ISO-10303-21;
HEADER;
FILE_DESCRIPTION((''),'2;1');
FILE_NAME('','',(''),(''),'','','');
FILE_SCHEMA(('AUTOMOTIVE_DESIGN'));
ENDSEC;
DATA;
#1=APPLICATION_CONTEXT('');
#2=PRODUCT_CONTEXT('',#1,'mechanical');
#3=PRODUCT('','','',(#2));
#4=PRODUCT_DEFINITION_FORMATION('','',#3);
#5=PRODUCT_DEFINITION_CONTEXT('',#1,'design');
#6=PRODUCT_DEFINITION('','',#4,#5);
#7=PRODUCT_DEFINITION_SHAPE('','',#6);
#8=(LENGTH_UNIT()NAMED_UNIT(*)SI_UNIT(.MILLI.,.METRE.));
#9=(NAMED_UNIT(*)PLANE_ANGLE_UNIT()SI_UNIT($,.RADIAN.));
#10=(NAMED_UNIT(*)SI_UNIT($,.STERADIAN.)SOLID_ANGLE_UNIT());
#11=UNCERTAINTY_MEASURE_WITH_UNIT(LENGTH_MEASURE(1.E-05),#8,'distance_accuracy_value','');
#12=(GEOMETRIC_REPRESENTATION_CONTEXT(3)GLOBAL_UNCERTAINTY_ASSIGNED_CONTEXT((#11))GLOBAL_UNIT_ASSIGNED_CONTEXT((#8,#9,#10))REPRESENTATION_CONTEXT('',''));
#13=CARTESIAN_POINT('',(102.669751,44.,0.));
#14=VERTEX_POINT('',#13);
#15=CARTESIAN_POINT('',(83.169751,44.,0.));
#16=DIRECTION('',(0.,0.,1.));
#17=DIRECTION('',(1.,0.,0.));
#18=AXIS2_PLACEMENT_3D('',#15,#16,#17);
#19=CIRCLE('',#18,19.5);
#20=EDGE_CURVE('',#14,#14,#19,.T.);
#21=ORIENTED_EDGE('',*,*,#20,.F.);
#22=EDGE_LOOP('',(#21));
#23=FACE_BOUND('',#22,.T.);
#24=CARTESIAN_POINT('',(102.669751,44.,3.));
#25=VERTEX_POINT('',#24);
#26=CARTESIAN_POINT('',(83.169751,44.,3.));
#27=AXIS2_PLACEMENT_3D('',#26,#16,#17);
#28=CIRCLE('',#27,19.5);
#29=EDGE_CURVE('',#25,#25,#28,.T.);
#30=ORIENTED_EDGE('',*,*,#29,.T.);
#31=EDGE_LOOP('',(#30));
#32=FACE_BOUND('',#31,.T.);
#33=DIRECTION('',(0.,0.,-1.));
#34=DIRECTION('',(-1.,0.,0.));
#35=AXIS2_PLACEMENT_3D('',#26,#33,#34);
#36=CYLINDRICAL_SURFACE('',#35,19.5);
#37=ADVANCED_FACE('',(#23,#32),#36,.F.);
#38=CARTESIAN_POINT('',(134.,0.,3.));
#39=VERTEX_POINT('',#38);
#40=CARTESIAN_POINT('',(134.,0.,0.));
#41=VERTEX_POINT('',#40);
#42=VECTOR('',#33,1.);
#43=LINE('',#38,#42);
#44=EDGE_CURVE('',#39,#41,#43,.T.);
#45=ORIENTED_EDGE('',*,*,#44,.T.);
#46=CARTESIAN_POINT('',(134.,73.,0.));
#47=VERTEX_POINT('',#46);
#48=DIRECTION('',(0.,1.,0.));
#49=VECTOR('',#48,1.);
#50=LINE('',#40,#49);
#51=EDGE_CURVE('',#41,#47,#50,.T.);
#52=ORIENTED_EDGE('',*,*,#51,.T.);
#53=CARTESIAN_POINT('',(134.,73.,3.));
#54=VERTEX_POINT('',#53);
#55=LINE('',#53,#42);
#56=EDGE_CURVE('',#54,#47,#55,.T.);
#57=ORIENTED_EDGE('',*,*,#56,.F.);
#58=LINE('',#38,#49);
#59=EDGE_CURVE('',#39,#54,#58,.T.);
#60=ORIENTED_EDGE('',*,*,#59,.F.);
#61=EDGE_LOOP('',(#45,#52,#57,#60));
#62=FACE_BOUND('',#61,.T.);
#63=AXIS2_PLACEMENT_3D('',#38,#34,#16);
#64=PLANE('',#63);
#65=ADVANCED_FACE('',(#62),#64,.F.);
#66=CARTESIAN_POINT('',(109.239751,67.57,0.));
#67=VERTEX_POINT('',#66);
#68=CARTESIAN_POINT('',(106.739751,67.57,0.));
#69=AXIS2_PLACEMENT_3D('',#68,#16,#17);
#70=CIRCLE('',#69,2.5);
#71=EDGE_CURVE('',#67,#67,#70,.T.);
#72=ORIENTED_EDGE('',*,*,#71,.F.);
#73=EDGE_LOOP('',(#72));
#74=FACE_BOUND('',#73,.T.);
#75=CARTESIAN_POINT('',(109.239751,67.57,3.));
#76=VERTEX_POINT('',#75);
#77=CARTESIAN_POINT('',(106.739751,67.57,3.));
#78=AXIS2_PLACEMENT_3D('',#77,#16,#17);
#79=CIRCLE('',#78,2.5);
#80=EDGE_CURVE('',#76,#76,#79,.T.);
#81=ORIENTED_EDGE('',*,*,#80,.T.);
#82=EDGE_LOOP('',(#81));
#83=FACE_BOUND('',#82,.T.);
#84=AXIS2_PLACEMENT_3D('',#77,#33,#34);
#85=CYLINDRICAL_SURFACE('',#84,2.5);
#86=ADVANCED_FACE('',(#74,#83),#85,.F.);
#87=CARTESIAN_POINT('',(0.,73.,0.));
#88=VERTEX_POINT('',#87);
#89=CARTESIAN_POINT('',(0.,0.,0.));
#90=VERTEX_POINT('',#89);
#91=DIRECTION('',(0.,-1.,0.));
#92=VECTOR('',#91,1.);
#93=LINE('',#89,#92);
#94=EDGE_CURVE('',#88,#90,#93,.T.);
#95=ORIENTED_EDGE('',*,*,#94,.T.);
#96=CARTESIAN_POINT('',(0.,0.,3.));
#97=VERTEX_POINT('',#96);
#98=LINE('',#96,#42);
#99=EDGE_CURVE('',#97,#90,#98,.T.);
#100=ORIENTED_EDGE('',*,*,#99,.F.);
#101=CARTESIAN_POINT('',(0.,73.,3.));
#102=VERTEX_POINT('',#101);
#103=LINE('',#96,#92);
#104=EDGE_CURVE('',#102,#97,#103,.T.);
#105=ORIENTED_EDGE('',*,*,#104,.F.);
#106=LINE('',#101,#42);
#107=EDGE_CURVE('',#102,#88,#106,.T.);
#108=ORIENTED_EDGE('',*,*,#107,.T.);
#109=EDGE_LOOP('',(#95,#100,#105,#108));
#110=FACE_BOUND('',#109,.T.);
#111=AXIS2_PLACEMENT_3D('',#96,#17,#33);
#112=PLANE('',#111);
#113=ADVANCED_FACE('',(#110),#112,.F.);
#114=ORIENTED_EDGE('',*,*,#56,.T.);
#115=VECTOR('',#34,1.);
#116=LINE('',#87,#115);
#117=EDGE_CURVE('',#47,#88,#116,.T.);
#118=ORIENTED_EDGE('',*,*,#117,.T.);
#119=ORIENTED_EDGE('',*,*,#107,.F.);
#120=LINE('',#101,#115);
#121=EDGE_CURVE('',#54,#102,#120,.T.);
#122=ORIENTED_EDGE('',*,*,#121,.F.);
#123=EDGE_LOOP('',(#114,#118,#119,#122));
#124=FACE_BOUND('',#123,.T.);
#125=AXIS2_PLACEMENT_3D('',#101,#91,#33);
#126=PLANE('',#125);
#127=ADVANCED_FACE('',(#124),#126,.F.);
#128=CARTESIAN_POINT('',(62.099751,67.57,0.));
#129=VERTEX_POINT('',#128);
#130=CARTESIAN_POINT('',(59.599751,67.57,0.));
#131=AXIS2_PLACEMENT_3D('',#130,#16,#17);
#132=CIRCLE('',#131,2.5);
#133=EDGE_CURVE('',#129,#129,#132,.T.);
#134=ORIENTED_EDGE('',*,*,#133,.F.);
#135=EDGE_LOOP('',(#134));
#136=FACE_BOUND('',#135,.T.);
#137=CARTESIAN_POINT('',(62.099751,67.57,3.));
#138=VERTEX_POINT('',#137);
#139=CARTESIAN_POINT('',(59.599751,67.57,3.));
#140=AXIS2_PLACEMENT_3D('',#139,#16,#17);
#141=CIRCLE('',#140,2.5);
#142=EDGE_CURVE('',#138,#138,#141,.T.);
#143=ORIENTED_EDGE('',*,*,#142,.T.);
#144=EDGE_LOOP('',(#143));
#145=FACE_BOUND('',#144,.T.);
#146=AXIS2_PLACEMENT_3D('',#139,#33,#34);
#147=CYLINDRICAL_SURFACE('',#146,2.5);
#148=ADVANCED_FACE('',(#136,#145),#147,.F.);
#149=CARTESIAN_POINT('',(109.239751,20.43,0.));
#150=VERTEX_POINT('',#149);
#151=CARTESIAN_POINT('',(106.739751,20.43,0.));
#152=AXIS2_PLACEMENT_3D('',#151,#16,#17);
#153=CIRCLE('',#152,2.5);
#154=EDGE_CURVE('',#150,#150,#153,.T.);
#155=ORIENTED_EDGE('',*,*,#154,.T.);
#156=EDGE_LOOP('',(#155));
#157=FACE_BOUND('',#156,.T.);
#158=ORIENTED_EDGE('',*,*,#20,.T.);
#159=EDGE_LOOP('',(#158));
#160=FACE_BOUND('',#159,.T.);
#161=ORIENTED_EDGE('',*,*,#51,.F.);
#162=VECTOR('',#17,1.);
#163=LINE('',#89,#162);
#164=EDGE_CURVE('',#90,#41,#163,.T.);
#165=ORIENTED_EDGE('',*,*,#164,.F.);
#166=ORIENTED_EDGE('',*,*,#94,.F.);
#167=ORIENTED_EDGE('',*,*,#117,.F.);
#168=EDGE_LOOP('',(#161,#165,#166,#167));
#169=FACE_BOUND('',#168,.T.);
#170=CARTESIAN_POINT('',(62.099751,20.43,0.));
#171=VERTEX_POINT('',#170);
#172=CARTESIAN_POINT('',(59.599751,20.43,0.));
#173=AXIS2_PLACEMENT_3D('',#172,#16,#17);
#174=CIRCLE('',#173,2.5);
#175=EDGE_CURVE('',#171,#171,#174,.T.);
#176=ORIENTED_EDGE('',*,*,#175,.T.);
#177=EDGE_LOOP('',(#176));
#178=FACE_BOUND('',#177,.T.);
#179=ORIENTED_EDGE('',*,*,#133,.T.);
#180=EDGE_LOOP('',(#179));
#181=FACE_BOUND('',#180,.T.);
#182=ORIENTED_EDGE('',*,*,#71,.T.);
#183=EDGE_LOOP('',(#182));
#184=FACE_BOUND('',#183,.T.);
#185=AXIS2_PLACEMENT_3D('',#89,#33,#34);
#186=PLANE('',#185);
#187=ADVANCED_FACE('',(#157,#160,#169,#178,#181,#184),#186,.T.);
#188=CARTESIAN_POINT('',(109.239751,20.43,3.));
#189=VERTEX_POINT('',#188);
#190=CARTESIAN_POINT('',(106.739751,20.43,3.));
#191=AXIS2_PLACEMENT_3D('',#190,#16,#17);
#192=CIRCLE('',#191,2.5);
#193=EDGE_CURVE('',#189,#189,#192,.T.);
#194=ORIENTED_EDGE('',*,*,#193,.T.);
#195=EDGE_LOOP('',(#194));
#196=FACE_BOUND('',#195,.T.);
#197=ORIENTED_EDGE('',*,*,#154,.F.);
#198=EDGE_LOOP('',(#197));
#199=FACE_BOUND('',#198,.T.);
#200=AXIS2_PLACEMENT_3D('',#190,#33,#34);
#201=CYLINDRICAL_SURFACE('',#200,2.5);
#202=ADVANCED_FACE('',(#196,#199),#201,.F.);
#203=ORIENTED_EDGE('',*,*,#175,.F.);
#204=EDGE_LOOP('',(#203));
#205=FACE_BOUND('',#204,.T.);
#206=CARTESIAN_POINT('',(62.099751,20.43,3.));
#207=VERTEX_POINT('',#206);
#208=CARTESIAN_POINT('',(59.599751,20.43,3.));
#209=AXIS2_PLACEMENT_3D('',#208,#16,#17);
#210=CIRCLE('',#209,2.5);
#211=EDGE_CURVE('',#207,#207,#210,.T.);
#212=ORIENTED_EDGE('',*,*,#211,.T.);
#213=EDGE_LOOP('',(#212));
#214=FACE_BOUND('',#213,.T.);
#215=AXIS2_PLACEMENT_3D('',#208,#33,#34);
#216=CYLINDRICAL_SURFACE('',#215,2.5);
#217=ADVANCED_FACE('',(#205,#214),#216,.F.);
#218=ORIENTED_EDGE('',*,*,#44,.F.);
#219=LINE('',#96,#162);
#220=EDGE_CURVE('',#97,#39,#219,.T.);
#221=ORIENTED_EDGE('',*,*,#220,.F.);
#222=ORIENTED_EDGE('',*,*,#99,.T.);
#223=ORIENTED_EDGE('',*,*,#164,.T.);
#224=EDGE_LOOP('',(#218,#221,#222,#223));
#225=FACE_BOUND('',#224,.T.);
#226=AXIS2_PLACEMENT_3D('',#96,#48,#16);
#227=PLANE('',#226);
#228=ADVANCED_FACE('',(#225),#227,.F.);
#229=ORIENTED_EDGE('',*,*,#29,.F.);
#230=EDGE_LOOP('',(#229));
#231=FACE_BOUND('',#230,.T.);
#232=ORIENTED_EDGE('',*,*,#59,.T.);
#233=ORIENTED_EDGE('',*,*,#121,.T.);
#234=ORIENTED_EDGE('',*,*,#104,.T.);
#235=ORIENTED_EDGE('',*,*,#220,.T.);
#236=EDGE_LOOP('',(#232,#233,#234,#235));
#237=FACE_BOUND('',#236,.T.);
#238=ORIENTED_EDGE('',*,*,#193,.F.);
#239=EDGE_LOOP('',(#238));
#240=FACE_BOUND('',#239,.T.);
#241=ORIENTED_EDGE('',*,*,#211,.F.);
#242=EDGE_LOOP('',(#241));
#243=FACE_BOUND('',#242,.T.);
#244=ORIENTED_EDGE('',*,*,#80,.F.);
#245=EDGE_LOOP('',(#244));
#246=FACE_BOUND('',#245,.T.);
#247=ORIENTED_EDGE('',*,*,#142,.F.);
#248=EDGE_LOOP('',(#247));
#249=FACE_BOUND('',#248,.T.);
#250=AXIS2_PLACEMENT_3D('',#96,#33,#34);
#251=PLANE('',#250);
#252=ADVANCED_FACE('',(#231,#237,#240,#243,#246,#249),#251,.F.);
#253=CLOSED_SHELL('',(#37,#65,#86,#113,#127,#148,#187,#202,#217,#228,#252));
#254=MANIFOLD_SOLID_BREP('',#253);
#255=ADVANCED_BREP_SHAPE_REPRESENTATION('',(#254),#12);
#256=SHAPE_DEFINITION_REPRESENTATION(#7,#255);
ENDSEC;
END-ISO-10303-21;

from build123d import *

# Parameters (mm, degrees)
SKETCH1_W           = 134
SKETCH1_H           = 73
SKETCH1_R           = 2.499999994
SKETCH1_R_2         = 19.5
BOSS_EXTRUDE1_DEPTH = 3


with BuildPart() as part:
    # Sketch1 → Boss-Extrude1 (new body)
    with BuildSketch(Plane.XY):
        with Locations((67, 36.5)):
            Rectangle(SKETCH1_W, SKETCH1_H)
        with Locations((59.599751383, 20.430000006)):
            Circle(SKETCH1_R, mode=Mode.SUBTRACT)
        with Locations((106.739751383, 20.430000006)):
            Circle(SKETCH1_R, mode=Mode.SUBTRACT)
        with Locations((59.599751383, 67.570000006)):
            Circle(SKETCH1_R, mode=Mode.SUBTRACT)
        with Locations((106.739751383, 67.570000006)):
            Circle(SKETCH1_R, mode=Mode.SUBTRACT)
        with Locations((83.169751383, 44.000000006)):
            Circle(SKETCH1_R_2, mode=Mode.SUBTRACT)
    extrude(amount=BOSS_EXTRUDE1_DEPTH)


solid = part.part
